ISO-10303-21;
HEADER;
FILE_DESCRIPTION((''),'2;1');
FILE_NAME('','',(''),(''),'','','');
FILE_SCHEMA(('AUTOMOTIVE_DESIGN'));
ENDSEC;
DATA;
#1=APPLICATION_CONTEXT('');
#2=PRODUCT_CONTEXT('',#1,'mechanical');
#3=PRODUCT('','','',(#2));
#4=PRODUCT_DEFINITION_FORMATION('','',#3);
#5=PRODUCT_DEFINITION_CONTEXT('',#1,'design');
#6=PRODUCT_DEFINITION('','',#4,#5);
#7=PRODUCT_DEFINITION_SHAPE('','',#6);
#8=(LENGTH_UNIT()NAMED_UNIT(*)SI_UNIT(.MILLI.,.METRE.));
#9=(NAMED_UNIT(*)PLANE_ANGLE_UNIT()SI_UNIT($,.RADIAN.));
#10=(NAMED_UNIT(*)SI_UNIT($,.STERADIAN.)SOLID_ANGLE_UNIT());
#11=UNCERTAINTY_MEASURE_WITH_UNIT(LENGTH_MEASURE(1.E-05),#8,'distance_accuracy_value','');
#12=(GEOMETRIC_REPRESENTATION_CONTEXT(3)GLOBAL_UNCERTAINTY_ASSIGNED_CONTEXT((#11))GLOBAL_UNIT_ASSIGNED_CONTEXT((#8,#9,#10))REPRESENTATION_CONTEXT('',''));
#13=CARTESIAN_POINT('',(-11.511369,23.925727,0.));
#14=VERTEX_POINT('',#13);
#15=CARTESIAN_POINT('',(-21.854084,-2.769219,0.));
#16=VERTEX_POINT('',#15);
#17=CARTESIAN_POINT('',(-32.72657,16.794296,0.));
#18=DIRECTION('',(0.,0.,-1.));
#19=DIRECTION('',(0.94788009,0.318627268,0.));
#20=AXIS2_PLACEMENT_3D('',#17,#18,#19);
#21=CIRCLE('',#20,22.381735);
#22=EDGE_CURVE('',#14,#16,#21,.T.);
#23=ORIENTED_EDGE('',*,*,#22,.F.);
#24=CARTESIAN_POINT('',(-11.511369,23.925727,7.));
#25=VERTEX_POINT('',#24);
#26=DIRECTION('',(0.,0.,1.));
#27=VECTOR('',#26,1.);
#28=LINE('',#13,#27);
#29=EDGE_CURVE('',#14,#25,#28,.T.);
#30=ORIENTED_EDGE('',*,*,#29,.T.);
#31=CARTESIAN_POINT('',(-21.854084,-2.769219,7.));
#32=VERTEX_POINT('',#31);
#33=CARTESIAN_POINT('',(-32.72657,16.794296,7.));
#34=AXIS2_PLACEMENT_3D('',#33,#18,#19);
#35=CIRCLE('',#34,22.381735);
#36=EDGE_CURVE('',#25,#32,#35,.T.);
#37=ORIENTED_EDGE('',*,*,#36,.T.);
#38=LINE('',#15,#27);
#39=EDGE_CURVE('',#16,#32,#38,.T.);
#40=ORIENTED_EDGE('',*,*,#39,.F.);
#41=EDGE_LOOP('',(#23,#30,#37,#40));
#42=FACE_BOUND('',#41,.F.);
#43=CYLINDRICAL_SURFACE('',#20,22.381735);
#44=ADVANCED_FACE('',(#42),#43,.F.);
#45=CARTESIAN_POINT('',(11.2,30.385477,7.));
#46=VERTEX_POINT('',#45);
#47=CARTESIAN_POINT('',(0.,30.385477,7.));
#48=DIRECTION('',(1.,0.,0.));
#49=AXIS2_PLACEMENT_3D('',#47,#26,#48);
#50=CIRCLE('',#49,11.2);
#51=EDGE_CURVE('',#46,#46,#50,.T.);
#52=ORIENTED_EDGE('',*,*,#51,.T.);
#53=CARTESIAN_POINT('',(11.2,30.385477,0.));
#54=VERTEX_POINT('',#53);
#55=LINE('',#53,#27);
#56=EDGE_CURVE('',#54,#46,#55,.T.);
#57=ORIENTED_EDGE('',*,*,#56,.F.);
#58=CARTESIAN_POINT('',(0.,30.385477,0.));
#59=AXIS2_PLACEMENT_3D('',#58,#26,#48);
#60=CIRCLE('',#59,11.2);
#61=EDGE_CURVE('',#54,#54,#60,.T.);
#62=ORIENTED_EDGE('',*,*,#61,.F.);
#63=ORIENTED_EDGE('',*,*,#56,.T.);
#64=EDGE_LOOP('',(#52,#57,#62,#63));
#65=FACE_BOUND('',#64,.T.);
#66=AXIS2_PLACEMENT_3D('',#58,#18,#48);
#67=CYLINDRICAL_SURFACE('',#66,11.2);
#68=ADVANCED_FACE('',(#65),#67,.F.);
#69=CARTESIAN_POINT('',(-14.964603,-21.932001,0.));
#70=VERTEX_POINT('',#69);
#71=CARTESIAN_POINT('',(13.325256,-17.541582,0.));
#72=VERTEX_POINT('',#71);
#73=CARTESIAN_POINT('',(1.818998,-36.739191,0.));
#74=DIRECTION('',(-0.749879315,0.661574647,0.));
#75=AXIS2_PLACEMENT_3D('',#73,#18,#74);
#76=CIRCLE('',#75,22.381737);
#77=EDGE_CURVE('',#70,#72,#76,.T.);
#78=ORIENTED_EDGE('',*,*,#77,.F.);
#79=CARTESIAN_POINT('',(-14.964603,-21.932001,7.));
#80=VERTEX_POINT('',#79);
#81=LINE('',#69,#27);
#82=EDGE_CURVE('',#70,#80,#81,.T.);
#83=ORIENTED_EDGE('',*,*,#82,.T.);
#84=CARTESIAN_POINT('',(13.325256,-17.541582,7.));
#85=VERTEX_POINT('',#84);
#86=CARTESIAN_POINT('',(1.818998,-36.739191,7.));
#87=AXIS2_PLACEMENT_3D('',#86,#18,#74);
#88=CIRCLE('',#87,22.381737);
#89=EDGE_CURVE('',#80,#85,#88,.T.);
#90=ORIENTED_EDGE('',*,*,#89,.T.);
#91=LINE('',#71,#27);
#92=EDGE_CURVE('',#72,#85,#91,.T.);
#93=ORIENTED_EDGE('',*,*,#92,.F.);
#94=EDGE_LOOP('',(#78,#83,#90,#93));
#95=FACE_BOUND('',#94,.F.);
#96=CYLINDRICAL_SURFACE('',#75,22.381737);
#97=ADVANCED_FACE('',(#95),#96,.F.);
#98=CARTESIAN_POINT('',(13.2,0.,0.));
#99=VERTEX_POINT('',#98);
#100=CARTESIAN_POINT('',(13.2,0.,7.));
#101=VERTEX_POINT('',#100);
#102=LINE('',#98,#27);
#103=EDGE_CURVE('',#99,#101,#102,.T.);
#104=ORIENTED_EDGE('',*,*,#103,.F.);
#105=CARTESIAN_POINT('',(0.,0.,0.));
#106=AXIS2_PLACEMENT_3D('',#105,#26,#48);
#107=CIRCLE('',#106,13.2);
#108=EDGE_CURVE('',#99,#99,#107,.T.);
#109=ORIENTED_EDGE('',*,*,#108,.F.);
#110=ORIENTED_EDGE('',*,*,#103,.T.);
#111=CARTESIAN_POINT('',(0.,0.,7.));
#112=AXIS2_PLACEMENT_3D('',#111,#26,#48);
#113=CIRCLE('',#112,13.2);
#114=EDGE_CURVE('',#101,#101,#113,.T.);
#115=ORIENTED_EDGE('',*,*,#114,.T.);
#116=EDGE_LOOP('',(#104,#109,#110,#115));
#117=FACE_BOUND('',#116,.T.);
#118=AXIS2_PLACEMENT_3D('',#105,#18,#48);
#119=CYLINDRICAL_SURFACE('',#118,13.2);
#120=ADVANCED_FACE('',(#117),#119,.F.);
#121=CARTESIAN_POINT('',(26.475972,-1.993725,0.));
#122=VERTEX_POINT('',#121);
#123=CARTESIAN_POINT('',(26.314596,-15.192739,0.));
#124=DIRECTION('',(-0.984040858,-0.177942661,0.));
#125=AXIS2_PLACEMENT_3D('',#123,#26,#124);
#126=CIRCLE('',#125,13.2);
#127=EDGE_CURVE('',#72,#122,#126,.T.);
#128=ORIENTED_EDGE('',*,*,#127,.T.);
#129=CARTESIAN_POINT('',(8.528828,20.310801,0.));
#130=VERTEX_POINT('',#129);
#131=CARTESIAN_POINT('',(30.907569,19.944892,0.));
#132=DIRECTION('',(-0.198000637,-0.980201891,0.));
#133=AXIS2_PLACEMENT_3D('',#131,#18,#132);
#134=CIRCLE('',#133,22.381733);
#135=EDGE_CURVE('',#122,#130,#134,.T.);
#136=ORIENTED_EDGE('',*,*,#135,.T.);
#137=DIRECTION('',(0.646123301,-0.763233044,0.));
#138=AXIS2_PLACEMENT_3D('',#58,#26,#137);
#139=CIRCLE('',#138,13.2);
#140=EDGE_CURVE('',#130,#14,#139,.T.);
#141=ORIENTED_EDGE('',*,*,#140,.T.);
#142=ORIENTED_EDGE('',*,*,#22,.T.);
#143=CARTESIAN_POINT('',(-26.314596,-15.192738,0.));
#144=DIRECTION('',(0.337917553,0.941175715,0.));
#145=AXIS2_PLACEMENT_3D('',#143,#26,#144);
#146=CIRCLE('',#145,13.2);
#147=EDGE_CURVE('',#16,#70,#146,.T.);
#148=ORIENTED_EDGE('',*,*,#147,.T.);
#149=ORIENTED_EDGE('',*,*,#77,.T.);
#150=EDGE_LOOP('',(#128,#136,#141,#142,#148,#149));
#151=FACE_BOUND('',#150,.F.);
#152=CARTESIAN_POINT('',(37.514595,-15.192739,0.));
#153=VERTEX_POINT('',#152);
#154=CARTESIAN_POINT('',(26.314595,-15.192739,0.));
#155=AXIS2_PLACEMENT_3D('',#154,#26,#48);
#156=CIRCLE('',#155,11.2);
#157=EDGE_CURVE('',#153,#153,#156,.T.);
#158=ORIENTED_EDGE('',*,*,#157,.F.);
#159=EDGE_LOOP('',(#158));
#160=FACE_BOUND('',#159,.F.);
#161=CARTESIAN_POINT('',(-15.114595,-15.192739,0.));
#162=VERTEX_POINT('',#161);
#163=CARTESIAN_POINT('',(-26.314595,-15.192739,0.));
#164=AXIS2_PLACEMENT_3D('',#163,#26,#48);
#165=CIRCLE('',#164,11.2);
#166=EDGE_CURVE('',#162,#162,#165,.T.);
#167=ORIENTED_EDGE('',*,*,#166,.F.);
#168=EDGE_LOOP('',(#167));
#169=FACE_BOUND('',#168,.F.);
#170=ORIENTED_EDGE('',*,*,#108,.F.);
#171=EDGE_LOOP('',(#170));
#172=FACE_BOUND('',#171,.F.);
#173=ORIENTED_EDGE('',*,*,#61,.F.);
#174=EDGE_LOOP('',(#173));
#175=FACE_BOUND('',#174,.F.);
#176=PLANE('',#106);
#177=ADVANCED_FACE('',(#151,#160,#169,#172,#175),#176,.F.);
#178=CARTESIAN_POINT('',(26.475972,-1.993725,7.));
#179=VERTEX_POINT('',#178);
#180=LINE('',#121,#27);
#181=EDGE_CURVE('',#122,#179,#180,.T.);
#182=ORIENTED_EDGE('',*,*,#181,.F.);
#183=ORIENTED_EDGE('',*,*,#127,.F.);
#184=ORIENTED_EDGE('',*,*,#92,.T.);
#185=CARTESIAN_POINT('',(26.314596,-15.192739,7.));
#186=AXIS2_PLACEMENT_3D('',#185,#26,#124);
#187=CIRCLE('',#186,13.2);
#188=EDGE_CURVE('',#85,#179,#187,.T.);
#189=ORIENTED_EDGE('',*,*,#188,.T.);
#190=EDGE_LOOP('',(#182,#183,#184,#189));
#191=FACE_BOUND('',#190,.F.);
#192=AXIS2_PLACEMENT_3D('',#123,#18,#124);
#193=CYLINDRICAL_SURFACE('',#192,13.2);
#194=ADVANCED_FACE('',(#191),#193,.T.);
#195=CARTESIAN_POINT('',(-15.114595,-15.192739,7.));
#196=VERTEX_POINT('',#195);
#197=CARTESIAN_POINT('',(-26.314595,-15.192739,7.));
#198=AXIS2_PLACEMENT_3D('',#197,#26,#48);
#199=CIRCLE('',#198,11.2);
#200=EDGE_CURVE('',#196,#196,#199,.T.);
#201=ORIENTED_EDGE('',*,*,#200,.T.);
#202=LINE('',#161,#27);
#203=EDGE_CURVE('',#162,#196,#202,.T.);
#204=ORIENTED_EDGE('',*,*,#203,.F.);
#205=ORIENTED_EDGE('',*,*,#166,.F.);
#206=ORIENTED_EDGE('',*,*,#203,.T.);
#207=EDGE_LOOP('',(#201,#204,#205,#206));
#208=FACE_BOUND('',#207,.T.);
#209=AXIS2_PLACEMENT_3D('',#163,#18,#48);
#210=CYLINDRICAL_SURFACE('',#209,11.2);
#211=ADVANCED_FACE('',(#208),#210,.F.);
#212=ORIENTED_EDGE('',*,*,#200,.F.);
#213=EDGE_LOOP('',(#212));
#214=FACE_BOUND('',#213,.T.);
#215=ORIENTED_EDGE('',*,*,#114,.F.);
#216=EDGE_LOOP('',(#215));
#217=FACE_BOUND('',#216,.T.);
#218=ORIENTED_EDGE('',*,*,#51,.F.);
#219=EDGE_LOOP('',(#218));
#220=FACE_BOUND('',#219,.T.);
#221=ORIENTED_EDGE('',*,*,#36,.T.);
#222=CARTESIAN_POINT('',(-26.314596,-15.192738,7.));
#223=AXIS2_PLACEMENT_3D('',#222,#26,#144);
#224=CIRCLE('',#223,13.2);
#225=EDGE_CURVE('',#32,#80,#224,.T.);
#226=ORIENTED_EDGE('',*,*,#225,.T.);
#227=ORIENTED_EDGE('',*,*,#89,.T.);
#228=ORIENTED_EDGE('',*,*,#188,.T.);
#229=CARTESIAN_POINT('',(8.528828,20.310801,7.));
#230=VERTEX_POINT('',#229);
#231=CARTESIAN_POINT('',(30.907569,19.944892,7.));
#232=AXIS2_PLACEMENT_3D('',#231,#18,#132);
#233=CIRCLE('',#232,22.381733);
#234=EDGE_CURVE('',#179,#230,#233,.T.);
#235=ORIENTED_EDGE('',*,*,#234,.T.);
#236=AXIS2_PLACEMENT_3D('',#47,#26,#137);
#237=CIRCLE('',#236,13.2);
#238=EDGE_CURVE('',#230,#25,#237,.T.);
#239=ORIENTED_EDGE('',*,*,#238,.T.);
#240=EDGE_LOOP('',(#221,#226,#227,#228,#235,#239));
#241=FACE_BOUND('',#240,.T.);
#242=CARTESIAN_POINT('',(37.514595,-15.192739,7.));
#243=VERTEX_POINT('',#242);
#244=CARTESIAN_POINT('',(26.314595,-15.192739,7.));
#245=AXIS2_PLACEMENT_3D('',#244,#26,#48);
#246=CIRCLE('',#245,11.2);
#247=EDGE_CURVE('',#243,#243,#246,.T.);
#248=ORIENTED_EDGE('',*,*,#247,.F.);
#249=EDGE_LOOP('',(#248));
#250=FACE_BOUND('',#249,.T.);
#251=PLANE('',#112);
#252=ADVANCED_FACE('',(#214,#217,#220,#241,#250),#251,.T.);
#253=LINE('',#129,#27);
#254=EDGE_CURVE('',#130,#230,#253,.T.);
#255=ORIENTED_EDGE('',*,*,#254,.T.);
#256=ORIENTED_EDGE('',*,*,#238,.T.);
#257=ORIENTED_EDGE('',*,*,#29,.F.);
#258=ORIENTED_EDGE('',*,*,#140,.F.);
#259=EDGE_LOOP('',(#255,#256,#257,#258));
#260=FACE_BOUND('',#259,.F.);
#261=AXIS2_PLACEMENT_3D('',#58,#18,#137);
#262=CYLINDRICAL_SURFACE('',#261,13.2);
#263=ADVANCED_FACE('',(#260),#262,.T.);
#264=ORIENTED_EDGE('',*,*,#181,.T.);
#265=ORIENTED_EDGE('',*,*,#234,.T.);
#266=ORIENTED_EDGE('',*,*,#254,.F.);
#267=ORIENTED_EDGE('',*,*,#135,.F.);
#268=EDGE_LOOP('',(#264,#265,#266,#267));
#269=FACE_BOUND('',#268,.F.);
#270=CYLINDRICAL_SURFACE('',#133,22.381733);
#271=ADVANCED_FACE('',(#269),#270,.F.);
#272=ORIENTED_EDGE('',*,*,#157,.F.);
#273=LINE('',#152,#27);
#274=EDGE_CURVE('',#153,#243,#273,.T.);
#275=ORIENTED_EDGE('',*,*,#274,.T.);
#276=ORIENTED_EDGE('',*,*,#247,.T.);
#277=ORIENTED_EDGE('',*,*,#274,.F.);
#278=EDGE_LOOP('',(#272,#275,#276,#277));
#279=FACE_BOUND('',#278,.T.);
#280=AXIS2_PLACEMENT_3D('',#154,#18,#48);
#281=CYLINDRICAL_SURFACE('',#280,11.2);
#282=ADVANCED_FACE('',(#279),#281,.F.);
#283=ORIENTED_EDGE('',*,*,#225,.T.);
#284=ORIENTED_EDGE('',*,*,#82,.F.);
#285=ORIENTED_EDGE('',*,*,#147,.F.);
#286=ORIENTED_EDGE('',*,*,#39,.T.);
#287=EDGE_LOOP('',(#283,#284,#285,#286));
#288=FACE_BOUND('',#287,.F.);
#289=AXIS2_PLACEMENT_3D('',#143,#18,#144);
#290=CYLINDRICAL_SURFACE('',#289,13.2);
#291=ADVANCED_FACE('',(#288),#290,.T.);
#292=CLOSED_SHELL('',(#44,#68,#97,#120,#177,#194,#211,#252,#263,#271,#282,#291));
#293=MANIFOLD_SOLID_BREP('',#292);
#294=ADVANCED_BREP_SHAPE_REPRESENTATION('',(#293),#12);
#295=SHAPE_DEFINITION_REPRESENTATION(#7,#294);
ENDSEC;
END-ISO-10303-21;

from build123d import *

# Parameters (mm, degrees)
F0_R     = 11.2
F0_R_2   = 13.2
F1_DEPTH = 7


with BuildPart() as f1:
    # F0 (on Top) → F1 (new body)
    with BuildSketch(Plane.XY):
        with BuildLine():
            ThreePointArc((26.475972, -1.993725), (13.469922, 5.91384), (8.528828, 20.310801))
            ThreePointArc((8.528828, 20.310801), (2.343248, 43.375827), (-11.511369, 23.925727))
            ThreePointArc((-11.511369, 23.925727), (-11.856497, 8.708375), (-21.854084, -2.769219))
            ThreePointArc((-21.854084, -2.769219), (-38.736192, -19.658602), (-14.964603, -21.932001))
            ThreePointArc((-14.964603, -21.932001), (-1.613425, -14.622215), (13.325256, -17.541582))
            ThreePointArc((13.325256, -17.541582), (36.392945, -23.717226), (26.475972, -1.993725))
        make_face()
        with Locations((-26.314595, -15.192739)):
            Circle(F0_R, mode=Mode.SUBTRACT)
        with Locations((26.314595, -15.192739)):
            Circle(F0_R, mode=Mode.SUBTRACT)
        Circle(F0_R_2, mode=Mode.SUBTRACT)
        with Locations((0, 30.385477)):
            Circle(F0_R, mode=Mode.SUBTRACT)
    extrude(amount=F1_DEPTH)


solid = f1.part
